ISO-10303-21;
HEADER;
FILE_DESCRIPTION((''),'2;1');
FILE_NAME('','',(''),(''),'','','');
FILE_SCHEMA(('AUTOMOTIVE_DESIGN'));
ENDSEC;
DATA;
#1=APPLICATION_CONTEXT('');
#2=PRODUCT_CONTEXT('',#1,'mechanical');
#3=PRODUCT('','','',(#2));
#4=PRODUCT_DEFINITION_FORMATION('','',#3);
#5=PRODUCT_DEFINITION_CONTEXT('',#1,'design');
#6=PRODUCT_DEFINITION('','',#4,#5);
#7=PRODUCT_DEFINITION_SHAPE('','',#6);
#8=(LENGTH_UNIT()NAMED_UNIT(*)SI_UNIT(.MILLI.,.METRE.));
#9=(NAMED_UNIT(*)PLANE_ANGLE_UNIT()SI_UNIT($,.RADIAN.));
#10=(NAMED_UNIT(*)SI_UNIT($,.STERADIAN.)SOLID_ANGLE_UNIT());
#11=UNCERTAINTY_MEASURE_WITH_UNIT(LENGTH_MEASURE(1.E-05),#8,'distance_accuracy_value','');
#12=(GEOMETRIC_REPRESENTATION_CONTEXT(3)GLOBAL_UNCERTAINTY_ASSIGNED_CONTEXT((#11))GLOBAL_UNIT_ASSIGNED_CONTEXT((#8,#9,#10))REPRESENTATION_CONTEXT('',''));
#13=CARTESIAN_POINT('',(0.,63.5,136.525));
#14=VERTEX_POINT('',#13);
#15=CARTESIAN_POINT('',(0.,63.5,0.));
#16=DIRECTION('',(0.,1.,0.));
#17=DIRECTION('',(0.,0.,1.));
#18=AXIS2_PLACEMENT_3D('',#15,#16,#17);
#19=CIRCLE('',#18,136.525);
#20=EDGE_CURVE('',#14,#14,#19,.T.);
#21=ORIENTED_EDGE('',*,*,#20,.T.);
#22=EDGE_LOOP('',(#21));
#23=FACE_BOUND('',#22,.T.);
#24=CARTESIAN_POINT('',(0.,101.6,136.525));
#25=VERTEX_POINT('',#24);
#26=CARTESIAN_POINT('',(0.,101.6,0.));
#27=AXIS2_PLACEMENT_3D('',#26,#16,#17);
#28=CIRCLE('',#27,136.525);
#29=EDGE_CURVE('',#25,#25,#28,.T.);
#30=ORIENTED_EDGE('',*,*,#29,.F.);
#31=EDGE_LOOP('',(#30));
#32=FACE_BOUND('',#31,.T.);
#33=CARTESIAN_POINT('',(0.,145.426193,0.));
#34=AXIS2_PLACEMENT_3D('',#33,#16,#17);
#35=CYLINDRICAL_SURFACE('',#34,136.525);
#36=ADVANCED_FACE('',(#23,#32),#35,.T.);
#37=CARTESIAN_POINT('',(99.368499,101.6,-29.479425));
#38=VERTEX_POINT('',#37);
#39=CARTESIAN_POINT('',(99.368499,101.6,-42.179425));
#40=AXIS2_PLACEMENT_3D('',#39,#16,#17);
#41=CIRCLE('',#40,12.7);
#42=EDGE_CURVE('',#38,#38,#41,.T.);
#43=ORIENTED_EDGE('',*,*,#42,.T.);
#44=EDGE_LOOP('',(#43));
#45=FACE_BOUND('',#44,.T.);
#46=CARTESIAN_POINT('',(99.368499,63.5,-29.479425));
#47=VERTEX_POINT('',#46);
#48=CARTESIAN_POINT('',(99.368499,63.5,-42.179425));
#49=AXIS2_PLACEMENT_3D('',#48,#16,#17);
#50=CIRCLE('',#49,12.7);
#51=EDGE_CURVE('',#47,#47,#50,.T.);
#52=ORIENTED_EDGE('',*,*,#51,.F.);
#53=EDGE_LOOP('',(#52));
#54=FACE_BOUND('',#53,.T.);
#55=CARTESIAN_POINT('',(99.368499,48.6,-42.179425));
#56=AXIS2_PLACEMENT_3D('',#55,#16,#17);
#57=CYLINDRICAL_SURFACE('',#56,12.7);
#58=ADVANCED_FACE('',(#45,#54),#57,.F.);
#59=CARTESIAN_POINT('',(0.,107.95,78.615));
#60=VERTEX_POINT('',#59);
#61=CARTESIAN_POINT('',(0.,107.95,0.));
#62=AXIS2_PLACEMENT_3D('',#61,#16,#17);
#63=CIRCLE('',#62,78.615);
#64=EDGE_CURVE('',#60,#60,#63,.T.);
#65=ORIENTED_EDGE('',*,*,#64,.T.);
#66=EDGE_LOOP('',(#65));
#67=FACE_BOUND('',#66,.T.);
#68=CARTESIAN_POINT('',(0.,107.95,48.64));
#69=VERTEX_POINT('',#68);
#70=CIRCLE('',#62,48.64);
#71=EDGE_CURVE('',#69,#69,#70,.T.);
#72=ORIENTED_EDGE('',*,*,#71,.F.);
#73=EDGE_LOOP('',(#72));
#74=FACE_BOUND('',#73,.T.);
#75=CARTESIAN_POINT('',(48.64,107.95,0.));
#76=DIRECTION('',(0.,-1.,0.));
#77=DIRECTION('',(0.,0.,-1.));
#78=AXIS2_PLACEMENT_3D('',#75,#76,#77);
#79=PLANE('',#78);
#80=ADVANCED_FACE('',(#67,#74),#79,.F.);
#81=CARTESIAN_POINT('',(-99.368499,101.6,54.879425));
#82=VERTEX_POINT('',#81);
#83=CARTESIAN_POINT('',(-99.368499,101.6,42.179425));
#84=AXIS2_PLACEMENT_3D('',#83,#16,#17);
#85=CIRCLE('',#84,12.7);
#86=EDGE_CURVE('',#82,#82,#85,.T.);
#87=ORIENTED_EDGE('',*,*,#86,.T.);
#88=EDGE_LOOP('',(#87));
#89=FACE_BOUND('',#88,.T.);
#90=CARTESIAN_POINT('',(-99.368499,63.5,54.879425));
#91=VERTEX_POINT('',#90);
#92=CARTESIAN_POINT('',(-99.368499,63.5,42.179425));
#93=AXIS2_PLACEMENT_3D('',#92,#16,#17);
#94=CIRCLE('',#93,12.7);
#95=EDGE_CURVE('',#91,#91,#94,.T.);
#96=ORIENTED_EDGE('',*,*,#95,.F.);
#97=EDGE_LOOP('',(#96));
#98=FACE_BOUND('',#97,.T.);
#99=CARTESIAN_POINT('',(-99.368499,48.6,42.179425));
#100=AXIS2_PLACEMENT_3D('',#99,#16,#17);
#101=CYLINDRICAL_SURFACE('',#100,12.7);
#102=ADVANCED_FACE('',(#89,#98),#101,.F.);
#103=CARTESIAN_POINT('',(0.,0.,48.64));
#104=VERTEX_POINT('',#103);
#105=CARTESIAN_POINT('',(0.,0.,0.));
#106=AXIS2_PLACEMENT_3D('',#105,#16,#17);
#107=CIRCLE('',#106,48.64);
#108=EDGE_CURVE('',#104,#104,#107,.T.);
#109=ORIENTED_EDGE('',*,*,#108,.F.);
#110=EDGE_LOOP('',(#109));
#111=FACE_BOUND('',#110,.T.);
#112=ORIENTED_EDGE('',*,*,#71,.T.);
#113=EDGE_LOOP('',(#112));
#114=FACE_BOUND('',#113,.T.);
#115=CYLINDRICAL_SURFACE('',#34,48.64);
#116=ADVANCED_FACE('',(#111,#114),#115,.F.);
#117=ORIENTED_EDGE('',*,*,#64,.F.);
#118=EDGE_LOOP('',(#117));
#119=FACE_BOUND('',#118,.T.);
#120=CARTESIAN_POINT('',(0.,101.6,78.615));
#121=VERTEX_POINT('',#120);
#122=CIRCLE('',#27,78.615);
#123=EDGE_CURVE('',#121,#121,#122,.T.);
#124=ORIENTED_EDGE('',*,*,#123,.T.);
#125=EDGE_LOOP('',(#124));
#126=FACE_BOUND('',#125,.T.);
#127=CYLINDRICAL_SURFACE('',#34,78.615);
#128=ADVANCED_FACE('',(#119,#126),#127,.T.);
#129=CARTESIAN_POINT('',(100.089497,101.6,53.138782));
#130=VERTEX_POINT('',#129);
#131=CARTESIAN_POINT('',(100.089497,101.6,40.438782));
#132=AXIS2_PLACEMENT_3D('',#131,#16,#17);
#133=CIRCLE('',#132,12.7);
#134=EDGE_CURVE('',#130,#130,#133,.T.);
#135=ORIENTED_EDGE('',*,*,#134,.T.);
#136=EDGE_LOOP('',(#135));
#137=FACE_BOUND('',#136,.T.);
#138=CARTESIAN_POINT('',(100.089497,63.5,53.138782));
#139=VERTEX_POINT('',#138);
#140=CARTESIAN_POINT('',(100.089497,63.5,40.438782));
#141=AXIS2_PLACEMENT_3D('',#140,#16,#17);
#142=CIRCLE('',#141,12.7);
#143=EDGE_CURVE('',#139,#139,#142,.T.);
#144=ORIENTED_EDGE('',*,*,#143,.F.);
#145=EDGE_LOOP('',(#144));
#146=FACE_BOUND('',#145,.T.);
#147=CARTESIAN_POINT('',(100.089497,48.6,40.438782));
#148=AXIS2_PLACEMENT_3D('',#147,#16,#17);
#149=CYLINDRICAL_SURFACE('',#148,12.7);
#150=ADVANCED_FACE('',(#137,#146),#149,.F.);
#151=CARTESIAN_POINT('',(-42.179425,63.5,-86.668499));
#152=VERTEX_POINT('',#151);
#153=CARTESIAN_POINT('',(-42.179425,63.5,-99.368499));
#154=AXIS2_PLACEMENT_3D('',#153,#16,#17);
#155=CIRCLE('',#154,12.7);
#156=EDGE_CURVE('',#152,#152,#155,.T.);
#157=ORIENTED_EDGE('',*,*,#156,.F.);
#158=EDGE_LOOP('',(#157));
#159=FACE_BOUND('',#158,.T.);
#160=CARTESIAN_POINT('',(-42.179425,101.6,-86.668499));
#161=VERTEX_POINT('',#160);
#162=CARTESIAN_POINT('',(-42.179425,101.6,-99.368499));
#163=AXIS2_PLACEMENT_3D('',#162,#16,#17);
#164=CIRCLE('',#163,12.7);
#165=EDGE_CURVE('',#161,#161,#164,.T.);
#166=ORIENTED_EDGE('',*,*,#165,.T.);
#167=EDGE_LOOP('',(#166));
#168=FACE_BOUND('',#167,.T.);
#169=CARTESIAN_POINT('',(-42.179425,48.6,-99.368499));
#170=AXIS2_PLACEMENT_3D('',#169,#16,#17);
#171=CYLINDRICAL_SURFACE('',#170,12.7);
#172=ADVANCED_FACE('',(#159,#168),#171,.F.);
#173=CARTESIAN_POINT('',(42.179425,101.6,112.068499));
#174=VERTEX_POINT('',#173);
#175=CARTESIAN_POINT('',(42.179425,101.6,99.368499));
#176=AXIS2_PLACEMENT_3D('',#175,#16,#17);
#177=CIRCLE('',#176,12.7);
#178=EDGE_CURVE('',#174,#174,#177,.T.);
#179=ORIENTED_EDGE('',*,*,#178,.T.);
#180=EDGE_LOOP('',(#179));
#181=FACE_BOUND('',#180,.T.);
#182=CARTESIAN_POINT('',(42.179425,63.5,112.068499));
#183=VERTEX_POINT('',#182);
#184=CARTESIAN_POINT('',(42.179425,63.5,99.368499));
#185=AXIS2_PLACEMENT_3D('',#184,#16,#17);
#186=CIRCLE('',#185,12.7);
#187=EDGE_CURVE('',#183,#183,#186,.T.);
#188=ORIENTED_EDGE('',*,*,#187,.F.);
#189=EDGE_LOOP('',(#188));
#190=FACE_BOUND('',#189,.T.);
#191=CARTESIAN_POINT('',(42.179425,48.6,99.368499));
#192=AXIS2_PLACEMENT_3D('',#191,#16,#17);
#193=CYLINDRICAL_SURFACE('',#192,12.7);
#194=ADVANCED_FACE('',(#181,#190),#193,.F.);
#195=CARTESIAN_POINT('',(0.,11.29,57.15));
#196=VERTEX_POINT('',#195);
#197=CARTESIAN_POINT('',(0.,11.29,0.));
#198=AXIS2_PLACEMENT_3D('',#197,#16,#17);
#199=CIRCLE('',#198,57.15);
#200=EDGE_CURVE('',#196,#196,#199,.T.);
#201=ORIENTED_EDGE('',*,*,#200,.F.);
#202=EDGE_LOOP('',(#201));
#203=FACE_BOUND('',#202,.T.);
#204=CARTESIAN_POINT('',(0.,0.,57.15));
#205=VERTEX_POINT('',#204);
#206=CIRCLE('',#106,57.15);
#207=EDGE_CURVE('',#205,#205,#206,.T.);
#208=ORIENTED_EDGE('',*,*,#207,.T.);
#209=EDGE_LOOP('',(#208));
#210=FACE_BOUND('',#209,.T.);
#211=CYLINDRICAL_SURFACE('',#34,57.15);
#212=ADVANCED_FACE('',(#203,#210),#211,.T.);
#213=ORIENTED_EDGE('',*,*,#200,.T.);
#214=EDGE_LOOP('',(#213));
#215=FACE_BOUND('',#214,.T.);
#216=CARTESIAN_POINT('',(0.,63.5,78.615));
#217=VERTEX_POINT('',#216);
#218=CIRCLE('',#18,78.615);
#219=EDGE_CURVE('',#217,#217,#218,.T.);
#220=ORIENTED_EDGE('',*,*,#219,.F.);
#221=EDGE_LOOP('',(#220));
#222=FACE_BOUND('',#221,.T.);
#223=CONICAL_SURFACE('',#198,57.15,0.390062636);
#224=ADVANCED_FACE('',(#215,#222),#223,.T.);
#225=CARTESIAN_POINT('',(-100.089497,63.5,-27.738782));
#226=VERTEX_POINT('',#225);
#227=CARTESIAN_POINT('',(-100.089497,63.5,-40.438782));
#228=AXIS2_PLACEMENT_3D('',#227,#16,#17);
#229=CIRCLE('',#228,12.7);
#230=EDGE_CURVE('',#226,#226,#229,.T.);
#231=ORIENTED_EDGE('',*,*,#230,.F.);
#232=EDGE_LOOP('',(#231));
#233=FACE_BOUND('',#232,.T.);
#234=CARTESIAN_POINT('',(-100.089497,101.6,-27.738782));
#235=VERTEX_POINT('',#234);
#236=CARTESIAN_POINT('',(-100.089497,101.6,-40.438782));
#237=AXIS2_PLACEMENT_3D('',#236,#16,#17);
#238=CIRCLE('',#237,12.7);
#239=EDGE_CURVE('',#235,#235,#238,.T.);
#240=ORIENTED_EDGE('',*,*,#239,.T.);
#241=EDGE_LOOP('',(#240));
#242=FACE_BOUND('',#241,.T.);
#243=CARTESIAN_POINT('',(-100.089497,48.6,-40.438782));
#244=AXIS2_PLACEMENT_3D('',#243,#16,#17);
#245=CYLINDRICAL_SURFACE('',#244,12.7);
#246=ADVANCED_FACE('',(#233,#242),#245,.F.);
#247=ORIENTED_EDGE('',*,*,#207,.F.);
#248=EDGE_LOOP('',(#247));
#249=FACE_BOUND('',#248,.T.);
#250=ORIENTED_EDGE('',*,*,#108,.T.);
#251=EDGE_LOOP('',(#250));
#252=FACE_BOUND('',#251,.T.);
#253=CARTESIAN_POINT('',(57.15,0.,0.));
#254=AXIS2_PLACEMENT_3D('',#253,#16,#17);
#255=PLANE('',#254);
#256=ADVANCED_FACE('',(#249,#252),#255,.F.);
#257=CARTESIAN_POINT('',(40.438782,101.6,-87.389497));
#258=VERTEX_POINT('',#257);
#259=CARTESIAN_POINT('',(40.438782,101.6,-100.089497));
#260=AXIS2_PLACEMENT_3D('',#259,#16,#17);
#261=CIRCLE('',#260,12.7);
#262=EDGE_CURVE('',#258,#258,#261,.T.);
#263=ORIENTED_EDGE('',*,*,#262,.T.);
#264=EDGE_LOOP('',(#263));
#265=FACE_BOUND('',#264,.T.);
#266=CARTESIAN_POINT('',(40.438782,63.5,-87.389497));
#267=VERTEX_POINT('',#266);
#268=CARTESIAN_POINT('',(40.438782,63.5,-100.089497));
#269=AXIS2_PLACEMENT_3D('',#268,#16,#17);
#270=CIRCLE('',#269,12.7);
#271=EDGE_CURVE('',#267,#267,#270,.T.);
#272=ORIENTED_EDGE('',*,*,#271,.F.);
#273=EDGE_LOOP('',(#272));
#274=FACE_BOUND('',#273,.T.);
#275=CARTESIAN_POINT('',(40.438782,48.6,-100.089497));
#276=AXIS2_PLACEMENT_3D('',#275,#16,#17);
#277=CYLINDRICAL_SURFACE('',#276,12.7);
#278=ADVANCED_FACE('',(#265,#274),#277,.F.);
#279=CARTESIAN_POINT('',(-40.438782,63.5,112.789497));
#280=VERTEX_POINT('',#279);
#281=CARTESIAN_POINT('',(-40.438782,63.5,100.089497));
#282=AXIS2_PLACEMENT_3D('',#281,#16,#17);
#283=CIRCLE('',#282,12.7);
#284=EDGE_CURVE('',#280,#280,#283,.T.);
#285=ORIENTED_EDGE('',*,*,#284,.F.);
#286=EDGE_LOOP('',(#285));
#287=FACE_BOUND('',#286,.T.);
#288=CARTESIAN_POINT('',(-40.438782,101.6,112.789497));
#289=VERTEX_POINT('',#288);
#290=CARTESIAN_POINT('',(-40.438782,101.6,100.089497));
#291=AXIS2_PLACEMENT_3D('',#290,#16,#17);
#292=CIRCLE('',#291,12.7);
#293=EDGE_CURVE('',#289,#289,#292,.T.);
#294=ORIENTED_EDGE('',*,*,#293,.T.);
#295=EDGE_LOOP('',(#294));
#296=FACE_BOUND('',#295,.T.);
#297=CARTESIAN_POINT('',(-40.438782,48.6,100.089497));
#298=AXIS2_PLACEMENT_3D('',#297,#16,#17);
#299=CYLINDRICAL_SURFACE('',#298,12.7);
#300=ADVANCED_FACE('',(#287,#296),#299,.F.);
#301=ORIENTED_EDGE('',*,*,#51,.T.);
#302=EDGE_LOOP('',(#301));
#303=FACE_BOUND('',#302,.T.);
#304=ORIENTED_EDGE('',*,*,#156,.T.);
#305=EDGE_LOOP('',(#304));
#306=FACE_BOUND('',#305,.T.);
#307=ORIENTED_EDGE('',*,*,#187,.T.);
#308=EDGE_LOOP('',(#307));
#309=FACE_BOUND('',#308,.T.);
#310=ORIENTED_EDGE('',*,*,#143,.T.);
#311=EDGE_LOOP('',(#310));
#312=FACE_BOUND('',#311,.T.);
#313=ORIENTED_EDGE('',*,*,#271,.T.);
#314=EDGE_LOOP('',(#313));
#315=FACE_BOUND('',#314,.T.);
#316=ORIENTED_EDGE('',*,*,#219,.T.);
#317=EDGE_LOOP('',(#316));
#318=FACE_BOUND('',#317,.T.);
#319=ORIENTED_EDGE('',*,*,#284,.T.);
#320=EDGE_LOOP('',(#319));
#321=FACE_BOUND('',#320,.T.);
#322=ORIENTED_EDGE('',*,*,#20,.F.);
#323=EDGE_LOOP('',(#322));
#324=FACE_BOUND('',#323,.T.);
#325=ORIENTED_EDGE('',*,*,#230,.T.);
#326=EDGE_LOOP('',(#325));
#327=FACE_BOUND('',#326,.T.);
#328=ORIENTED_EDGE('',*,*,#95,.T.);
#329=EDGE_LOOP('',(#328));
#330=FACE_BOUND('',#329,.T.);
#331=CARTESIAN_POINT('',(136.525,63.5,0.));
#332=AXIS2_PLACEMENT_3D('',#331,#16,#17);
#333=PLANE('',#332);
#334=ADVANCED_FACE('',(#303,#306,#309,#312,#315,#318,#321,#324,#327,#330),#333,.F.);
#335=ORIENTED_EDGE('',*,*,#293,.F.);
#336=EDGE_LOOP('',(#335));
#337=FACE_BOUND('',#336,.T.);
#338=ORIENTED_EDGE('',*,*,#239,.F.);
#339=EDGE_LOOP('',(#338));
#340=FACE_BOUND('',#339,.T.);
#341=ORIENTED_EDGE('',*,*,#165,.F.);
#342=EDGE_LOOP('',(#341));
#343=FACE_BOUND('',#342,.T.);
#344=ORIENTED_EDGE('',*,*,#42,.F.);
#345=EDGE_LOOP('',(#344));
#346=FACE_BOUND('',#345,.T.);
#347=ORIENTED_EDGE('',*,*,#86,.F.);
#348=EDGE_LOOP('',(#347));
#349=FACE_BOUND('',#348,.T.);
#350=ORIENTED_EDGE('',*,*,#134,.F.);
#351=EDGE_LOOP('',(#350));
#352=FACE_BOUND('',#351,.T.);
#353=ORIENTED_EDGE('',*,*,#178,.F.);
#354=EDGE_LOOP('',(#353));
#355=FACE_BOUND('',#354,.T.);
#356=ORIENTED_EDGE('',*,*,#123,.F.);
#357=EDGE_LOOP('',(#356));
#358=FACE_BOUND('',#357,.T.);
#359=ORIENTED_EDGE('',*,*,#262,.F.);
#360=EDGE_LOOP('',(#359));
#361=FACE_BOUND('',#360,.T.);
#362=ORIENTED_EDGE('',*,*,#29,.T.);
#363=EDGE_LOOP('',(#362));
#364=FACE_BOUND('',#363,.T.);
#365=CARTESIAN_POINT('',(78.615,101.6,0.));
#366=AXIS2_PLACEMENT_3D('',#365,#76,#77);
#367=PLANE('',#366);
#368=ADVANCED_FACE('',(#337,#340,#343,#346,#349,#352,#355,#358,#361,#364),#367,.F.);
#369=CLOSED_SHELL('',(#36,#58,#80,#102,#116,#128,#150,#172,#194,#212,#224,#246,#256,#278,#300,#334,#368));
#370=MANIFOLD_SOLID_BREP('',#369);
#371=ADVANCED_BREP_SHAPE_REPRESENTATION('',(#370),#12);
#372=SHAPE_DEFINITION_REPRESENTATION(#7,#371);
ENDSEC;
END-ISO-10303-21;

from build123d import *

# Parameters (mm, degrees)
SKETCH2_R          = 12.7
CUT_EXTRUDE1_DEPTH = 53


with BuildPart() as part:
    # Sketch1 → Revolve1 (revolve)
    with BuildSketch(Plane.XY, mode=Mode.PRIVATE) as revolve1_sk:
        Polygon((48.64, 0), (48.64, 107.95), (78.615, 107.95), (78.615, 101.6), (136.525, 101.6), (136.525, 63.5), (78.615, 63.5), (57.15, 11.29), (57.15, 0), align=None)
    revolve(revolve1_sk.sketch.rotate(Axis((0, 145.426192893, 0), (0, -1, 0)), 90), axis=Axis((0, 145.426192893, 0), (0, -1, 0)))

    # Sketch2 → Cut-Extrude1 (cut)
    with BuildSketch(Plane(origin=(0, 101.6, 0), x_dir=(1, 0, 0), z_dir=(0, 1, 0))):
        with Locations(Location((-42.17942532, 99.36849893, 0), (0, 0, 270))):
            Circle(SKETCH2_R)
        with Locations(Location((40.438781759, 100.0894971, 0), (0, 0, 270))):
            Circle(SKETCH2_R)
        with Locations(Location((99.36849893, 42.17942532, 0), (0, 0, 270))):
            Circle(SKETCH2_R)
        with Locations(Location((100.0894971, -40.438781759, 0), (0, 0, 270))):
            Circle(SKETCH2_R)
        with Locations(Location((42.17942532, -99.36849893, 0), (0, 0, 270))):
            Circle(SKETCH2_R)
        with Locations(Location((-40.438781759, -100.0894971, 0), (0, 0, 270))):
            Circle(SKETCH2_R)
        with Locations(Location((-99.36849893, -42.17942532, 0), (0, 0, 270))):
            Circle(SKETCH2_R)
        with Locations(Location((-100.0894971, 40.438781759, 0), (0, 0, 270))):
            Circle(SKETCH2_R)
    extrude(amount=-CUT_EXTRUDE1_DEPTH, mode=Mode.SUBTRACT)


solid = part.part
